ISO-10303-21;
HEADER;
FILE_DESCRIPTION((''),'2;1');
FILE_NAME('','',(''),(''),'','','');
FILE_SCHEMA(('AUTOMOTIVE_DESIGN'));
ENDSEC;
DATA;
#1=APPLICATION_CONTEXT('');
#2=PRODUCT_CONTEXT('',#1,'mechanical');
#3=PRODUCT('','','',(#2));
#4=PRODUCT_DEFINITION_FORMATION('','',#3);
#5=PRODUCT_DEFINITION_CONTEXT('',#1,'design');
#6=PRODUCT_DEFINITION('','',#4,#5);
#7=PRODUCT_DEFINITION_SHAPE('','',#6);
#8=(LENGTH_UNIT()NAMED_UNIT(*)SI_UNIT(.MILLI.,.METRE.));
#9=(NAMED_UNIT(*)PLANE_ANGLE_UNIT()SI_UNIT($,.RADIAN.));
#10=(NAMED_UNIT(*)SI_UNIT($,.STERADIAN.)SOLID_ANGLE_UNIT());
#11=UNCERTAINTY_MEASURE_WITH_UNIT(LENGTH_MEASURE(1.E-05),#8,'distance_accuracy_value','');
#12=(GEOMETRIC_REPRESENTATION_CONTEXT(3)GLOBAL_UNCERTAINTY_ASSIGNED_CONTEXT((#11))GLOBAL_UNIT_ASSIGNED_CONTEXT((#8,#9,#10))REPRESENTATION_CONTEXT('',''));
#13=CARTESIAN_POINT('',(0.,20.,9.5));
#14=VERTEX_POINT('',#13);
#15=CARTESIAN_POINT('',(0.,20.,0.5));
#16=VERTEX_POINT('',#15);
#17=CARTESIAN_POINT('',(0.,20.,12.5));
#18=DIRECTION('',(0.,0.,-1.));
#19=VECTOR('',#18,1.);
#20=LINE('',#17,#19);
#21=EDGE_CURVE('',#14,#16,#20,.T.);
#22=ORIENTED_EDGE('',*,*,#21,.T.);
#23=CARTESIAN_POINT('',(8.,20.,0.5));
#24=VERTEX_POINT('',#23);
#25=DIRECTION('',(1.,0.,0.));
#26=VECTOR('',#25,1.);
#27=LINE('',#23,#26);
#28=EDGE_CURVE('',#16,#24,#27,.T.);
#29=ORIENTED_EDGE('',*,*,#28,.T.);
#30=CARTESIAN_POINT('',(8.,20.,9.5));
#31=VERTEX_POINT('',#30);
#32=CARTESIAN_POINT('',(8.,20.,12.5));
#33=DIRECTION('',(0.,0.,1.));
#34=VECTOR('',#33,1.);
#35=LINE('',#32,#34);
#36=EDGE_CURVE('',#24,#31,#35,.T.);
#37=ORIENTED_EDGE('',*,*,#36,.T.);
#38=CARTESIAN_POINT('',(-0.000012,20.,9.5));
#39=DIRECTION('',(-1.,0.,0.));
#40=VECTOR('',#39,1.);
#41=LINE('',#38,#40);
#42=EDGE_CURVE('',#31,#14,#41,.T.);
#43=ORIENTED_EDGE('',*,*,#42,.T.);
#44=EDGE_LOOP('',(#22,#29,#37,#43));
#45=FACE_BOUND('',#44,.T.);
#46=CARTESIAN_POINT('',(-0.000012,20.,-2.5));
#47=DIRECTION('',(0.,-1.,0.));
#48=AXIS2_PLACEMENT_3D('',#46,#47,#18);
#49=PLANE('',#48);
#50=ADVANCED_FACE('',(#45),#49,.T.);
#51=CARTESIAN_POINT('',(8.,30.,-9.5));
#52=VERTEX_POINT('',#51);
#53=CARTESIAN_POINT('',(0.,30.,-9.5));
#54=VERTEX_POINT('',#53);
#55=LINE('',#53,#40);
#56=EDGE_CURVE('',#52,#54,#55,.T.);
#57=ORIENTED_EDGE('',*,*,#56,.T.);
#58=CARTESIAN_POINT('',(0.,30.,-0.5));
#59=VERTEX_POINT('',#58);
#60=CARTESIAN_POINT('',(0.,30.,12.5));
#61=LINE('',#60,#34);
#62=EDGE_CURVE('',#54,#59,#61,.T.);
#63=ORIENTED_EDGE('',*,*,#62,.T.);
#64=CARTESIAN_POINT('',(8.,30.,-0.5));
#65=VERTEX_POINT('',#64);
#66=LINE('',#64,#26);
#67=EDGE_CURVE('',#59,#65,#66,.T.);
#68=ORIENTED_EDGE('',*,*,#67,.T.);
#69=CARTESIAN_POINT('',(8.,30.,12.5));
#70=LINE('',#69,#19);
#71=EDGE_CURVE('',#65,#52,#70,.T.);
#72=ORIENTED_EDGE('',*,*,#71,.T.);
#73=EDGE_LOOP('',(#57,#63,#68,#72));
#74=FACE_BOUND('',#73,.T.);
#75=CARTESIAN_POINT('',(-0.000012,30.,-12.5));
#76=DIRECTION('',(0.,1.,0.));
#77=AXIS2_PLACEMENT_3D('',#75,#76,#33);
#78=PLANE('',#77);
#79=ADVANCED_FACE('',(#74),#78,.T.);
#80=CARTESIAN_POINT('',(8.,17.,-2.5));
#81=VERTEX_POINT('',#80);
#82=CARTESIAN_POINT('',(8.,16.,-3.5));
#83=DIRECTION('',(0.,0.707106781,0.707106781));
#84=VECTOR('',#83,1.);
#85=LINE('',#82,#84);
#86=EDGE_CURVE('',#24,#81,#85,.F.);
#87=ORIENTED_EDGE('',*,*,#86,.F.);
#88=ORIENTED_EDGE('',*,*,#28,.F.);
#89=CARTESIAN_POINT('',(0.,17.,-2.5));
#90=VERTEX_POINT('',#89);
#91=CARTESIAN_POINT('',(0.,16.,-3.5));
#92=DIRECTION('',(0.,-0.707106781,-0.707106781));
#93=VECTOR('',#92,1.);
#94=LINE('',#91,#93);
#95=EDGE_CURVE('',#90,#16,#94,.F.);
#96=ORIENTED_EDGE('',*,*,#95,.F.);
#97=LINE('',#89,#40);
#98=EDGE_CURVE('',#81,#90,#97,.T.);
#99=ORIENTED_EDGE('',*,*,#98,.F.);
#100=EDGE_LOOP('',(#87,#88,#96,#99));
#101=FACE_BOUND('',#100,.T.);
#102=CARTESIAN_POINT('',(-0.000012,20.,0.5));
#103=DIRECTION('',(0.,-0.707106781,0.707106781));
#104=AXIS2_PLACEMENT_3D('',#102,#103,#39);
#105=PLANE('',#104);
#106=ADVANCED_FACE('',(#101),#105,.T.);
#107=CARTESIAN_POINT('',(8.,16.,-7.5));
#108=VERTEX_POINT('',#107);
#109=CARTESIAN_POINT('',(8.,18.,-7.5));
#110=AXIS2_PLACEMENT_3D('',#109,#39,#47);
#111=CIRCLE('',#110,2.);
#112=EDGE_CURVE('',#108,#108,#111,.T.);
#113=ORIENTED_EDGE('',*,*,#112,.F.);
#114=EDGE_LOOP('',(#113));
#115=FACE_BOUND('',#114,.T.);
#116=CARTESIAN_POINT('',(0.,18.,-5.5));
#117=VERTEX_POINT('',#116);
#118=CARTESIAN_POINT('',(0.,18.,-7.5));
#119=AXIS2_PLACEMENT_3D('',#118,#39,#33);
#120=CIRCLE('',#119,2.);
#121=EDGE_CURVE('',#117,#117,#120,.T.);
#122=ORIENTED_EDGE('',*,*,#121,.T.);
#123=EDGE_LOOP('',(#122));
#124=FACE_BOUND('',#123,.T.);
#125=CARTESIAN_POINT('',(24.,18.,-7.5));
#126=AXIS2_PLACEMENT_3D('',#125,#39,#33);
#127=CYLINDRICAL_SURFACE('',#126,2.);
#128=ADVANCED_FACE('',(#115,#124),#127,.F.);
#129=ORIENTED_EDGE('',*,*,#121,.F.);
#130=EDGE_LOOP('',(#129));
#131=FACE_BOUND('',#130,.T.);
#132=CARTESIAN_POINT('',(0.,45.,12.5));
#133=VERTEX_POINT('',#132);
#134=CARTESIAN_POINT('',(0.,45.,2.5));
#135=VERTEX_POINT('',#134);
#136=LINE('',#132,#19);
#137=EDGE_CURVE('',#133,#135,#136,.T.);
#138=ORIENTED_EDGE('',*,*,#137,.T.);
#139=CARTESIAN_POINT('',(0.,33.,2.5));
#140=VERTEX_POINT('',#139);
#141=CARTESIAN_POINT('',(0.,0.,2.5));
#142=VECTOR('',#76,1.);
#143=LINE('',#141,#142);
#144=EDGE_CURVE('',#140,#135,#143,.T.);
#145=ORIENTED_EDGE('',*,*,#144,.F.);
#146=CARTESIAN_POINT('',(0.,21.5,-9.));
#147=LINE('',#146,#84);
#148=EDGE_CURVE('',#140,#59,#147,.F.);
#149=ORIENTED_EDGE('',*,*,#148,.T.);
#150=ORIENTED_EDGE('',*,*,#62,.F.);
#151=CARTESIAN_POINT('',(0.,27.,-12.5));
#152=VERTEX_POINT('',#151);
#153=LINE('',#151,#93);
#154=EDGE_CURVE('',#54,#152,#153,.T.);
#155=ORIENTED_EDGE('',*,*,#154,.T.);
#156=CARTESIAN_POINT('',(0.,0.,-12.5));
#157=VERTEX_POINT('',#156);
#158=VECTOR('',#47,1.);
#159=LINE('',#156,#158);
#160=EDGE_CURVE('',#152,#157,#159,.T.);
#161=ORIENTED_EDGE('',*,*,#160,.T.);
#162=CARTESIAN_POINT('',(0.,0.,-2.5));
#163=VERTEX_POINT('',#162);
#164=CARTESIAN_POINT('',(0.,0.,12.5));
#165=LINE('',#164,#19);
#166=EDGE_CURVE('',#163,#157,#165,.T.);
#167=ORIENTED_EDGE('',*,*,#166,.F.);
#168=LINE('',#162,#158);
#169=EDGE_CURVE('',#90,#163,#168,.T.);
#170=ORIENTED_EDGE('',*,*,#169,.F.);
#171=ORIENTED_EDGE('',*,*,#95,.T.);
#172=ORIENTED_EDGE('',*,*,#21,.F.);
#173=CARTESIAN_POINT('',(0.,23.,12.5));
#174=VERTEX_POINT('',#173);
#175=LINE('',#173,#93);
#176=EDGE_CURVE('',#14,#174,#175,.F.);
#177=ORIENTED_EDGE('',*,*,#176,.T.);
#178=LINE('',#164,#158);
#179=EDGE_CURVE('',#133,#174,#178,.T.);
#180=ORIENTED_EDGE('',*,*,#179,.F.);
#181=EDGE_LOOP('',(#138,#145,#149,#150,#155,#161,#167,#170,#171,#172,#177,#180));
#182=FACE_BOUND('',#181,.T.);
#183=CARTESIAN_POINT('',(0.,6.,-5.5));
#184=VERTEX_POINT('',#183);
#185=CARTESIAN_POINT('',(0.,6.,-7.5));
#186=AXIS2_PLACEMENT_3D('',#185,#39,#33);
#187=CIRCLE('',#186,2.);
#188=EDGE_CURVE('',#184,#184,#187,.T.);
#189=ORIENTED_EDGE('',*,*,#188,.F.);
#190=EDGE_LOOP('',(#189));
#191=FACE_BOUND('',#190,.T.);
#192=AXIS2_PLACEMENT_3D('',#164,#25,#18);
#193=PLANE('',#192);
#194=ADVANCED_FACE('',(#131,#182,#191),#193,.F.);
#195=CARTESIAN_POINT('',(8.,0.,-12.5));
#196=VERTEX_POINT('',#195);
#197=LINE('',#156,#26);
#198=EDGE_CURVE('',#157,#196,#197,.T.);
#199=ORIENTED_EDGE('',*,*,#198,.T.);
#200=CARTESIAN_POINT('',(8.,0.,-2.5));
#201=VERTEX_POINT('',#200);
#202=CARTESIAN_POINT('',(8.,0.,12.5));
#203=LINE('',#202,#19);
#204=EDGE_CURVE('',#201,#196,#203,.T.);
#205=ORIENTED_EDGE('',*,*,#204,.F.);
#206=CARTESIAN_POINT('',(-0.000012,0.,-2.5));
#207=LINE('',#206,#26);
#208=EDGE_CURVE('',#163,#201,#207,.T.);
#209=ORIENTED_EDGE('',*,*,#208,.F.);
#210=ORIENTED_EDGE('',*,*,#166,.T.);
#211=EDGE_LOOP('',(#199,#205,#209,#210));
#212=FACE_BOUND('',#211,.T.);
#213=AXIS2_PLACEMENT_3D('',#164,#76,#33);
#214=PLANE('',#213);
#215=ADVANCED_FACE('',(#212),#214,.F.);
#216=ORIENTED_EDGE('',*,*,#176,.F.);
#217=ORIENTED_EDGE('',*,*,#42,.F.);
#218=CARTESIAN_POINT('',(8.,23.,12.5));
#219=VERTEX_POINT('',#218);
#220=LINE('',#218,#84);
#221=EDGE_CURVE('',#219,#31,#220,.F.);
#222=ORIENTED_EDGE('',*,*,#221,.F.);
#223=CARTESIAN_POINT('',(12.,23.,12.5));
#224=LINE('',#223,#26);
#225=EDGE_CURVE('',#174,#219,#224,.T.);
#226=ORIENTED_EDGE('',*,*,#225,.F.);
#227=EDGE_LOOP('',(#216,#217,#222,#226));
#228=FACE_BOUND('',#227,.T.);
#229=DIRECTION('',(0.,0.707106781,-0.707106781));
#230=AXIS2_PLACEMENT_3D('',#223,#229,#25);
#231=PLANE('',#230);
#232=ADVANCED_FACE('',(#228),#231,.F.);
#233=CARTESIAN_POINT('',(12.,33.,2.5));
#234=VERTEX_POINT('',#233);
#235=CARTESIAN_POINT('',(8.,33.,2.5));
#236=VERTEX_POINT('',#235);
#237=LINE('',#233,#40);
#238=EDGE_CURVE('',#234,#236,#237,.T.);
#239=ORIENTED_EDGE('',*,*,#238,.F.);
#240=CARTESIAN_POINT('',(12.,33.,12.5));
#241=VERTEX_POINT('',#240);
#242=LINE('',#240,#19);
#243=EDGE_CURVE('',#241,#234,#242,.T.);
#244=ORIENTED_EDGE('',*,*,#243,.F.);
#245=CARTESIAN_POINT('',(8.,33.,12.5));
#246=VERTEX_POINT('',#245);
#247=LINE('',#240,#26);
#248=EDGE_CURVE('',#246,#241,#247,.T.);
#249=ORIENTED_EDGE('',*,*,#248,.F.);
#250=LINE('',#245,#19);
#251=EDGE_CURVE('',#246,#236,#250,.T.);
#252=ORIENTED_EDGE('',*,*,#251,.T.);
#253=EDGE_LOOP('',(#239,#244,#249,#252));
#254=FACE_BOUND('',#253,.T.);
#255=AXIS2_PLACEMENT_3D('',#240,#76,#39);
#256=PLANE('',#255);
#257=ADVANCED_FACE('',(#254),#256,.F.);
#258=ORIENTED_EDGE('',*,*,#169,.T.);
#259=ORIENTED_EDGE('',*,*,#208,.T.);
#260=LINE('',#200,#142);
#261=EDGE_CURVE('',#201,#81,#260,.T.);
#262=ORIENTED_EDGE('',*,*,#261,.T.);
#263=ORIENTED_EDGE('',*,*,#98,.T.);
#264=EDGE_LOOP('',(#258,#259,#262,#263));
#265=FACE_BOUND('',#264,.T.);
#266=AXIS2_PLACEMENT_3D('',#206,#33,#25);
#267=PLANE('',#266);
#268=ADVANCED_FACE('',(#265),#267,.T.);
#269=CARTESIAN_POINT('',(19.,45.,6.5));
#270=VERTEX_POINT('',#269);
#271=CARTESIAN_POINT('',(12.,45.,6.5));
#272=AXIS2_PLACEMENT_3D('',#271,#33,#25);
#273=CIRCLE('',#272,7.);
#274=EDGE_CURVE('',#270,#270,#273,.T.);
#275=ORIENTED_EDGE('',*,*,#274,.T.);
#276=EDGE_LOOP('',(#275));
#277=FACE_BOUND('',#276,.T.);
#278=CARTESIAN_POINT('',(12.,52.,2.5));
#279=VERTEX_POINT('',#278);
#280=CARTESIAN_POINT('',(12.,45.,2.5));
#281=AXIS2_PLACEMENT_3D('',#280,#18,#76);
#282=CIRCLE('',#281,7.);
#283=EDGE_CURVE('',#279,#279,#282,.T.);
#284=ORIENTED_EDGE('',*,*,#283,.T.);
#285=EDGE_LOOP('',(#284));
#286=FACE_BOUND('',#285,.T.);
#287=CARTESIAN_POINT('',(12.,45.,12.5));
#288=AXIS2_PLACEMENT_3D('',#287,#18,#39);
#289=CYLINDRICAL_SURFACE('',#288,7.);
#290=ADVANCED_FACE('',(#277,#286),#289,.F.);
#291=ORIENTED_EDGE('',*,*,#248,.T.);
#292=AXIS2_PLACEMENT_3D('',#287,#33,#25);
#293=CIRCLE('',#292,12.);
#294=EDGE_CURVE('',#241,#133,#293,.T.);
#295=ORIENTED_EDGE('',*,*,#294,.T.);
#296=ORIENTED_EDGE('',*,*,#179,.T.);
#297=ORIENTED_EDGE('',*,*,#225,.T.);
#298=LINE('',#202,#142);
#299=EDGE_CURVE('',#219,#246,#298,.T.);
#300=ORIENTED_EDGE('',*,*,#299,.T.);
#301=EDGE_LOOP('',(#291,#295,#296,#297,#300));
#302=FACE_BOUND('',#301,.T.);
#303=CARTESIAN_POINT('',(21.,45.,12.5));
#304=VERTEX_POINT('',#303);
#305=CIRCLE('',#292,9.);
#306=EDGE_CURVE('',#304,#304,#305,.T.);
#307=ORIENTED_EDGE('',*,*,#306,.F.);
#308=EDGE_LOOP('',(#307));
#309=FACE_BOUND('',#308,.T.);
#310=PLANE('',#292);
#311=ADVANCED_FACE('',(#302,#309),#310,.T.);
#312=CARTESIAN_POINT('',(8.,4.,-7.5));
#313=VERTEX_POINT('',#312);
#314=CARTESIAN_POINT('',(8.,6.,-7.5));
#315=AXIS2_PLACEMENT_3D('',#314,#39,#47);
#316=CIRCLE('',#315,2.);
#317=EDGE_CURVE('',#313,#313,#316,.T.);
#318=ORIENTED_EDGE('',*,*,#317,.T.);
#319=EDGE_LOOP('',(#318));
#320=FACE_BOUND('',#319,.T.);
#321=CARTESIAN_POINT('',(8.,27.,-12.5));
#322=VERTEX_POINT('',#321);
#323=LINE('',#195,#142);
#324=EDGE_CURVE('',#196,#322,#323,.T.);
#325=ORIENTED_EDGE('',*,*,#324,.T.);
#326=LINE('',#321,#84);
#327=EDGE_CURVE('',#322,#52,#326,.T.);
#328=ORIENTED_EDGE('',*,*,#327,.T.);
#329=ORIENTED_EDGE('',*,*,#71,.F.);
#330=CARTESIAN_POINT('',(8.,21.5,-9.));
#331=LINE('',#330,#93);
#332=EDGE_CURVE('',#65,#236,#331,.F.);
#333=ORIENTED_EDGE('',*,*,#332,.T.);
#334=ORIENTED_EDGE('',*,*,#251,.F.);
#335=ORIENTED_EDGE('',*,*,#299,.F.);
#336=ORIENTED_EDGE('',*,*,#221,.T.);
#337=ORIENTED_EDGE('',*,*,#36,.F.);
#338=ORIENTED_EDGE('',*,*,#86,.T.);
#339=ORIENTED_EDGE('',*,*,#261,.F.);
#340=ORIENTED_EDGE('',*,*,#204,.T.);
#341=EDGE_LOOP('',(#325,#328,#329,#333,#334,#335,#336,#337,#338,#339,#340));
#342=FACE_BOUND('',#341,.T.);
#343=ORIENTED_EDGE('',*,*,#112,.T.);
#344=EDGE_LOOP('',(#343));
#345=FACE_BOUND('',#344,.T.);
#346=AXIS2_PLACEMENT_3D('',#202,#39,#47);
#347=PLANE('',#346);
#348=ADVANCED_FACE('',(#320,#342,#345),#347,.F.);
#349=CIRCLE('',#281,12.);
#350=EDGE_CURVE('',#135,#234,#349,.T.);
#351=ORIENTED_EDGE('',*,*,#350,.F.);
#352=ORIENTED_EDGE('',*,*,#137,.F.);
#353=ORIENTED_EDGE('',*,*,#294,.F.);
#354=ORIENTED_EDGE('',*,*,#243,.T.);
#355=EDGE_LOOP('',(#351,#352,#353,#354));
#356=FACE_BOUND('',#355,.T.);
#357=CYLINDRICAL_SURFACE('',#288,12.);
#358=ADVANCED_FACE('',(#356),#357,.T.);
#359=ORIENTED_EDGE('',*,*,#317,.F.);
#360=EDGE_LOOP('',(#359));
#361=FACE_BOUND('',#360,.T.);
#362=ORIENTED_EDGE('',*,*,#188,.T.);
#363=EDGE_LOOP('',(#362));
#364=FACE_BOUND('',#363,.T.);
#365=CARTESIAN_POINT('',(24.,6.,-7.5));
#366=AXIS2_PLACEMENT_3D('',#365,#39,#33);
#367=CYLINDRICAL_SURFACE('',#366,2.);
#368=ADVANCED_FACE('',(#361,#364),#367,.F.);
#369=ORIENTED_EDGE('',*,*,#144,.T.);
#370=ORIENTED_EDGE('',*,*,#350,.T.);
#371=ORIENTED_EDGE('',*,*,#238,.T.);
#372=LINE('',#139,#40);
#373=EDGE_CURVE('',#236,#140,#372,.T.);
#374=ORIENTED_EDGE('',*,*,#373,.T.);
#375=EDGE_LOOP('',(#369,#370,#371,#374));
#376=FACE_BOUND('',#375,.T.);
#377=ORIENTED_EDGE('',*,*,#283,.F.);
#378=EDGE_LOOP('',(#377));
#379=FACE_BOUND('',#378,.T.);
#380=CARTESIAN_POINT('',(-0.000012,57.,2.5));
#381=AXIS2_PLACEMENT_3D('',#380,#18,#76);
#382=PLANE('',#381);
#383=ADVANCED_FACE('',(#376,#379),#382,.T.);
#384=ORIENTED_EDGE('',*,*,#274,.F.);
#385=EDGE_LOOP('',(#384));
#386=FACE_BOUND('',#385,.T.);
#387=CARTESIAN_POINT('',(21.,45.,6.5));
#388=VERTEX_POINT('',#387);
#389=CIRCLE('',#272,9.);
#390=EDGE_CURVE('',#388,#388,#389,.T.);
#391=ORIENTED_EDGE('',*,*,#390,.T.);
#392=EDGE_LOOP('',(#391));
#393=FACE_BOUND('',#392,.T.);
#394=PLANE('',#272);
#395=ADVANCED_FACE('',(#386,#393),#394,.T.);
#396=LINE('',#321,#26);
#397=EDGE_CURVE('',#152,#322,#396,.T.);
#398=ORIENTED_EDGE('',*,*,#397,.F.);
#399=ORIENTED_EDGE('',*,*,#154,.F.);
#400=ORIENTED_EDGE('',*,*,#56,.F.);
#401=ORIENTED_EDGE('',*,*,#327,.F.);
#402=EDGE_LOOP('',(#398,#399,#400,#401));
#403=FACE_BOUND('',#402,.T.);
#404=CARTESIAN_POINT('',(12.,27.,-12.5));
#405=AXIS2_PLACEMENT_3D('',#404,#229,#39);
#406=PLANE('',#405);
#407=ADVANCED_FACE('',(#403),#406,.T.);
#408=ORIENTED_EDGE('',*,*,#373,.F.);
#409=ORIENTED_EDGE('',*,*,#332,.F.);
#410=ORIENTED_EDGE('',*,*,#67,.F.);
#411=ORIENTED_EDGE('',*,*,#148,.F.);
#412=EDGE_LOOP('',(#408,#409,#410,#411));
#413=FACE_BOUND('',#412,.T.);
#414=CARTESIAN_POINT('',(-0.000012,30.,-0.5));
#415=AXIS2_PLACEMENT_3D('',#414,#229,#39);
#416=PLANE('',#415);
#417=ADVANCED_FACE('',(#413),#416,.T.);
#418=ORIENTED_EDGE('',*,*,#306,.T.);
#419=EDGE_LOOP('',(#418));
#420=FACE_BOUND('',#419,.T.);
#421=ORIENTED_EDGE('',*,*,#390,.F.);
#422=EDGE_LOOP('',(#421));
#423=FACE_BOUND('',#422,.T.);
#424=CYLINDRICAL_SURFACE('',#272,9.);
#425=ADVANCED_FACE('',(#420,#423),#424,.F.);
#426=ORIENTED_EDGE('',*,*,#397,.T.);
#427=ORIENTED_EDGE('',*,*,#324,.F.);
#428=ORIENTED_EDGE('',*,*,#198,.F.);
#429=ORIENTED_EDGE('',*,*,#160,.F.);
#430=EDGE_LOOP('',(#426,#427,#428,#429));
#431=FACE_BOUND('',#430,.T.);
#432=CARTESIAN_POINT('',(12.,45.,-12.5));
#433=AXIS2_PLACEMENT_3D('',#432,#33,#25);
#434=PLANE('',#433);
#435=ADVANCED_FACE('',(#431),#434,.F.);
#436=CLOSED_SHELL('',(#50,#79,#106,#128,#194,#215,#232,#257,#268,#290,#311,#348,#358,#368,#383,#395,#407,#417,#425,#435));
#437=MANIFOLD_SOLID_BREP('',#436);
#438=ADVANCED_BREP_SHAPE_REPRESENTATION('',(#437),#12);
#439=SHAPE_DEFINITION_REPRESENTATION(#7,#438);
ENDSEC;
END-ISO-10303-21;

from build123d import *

# Parameters (mm, degrees)
SKETCH_1_R               = 7
EXTRUDE_1_DEPTH          = 12.5
CUT_EXTRUDE_3_DEPTH      = 64.097147321
CUT_EXTRUDE_3_DEPTH_BACK = 64.097147321
SKETCH_5_OUTSIDE_W       = 40.342
SKETCH_5_OUTSIDE_H       = 72.342
SKETCH_2_R               = 2
CUT_EXTRUDE_1_DEPTH      = 64.097147321
SKETCH_4_R               = 9
CUT_EXTRUDE_2_DEPTH      = 6
CHAMFER_1_SIZE           = 3


with BuildPart() as part:
    # 草图1 → 凸台-拉伸1 (new, symmetric)
    with BuildSketch(Plane.XY):
        with BuildLine():
            Line((0, 0), (8, 0))
            Line((8, 0), (8, 33))
            Line((8, 33), (12, 33))
            ThreePointArc((12, 33), (20.485281374, 53.485281374), (0, 45))
            Line((0, 45), (0, 0))
        make_face()
        with Locations((12, 45)):
            Circle(SKETCH_1_R, mode=Mode.SUBTRACT)
    extrude(amount=EXTRUDE_1_DEPTH, both=True)

    # 草图5 outside → 切除-拉伸3 (cut, two sides: drawn at the far end of the back side and taken through both)
    with BuildSketch(Plane(origin=(0, 0, 0), x_dir=(0, 0, -1), z_dir=(1, 0, 0)).offset(-CUT_EXTRUDE_3_DEPTH_BACK)):
        with Locations((0, 28.5)):
            Rectangle(SKETCH_5_OUTSIDE_W, SKETCH_5_OUTSIDE_H)
        Polygon((-12.5, 57), (-2.5, 57), (-2.5, 30), (12.5, 30), (12.5, 0), (2.5, 0), (2.5, 20), (-12.5, 20), align=None, mode=Mode.SUBTRACT)
    extrude(amount=CUT_EXTRUDE_3_DEPTH + CUT_EXTRUDE_3_DEPTH_BACK, mode=Mode.SUBTRACT)

    # 草图2 → 切除-拉伸1 (cut, through all)
    with BuildSketch(Plane.ZY):
        with Locations((-7.5, 18)):
            Circle(SKETCH_2_R)
        with Locations((-7.5, 6)):
            Circle(SKETCH_2_R)
    extrude(amount=-CUT_EXTRUDE_1_DEPTH, mode=Mode.SUBTRACT)

    # 草图4 → 切除-拉伸2 (cut)
    with BuildSketch(Plane.XY.offset(12.5)):
        with Locations((12, 45)):
            Circle(SKETCH_4_R)
    extrude(amount=-CUT_EXTRUDE_2_DEPTH, mode=Mode.SUBTRACT)

    # 倒角1
    chamfer_1_edges = [part.edges().sort_by_distance(p)[0] for p in [
        (4, 30, 2.5),
        (4, 30, -12.5),
        (4, 20, -2.5),
        (4, 20, 12.5),
    ]]
    chamfer(chamfer_1_edges, length=CHAMFER_1_SIZE)


solid = part.part
